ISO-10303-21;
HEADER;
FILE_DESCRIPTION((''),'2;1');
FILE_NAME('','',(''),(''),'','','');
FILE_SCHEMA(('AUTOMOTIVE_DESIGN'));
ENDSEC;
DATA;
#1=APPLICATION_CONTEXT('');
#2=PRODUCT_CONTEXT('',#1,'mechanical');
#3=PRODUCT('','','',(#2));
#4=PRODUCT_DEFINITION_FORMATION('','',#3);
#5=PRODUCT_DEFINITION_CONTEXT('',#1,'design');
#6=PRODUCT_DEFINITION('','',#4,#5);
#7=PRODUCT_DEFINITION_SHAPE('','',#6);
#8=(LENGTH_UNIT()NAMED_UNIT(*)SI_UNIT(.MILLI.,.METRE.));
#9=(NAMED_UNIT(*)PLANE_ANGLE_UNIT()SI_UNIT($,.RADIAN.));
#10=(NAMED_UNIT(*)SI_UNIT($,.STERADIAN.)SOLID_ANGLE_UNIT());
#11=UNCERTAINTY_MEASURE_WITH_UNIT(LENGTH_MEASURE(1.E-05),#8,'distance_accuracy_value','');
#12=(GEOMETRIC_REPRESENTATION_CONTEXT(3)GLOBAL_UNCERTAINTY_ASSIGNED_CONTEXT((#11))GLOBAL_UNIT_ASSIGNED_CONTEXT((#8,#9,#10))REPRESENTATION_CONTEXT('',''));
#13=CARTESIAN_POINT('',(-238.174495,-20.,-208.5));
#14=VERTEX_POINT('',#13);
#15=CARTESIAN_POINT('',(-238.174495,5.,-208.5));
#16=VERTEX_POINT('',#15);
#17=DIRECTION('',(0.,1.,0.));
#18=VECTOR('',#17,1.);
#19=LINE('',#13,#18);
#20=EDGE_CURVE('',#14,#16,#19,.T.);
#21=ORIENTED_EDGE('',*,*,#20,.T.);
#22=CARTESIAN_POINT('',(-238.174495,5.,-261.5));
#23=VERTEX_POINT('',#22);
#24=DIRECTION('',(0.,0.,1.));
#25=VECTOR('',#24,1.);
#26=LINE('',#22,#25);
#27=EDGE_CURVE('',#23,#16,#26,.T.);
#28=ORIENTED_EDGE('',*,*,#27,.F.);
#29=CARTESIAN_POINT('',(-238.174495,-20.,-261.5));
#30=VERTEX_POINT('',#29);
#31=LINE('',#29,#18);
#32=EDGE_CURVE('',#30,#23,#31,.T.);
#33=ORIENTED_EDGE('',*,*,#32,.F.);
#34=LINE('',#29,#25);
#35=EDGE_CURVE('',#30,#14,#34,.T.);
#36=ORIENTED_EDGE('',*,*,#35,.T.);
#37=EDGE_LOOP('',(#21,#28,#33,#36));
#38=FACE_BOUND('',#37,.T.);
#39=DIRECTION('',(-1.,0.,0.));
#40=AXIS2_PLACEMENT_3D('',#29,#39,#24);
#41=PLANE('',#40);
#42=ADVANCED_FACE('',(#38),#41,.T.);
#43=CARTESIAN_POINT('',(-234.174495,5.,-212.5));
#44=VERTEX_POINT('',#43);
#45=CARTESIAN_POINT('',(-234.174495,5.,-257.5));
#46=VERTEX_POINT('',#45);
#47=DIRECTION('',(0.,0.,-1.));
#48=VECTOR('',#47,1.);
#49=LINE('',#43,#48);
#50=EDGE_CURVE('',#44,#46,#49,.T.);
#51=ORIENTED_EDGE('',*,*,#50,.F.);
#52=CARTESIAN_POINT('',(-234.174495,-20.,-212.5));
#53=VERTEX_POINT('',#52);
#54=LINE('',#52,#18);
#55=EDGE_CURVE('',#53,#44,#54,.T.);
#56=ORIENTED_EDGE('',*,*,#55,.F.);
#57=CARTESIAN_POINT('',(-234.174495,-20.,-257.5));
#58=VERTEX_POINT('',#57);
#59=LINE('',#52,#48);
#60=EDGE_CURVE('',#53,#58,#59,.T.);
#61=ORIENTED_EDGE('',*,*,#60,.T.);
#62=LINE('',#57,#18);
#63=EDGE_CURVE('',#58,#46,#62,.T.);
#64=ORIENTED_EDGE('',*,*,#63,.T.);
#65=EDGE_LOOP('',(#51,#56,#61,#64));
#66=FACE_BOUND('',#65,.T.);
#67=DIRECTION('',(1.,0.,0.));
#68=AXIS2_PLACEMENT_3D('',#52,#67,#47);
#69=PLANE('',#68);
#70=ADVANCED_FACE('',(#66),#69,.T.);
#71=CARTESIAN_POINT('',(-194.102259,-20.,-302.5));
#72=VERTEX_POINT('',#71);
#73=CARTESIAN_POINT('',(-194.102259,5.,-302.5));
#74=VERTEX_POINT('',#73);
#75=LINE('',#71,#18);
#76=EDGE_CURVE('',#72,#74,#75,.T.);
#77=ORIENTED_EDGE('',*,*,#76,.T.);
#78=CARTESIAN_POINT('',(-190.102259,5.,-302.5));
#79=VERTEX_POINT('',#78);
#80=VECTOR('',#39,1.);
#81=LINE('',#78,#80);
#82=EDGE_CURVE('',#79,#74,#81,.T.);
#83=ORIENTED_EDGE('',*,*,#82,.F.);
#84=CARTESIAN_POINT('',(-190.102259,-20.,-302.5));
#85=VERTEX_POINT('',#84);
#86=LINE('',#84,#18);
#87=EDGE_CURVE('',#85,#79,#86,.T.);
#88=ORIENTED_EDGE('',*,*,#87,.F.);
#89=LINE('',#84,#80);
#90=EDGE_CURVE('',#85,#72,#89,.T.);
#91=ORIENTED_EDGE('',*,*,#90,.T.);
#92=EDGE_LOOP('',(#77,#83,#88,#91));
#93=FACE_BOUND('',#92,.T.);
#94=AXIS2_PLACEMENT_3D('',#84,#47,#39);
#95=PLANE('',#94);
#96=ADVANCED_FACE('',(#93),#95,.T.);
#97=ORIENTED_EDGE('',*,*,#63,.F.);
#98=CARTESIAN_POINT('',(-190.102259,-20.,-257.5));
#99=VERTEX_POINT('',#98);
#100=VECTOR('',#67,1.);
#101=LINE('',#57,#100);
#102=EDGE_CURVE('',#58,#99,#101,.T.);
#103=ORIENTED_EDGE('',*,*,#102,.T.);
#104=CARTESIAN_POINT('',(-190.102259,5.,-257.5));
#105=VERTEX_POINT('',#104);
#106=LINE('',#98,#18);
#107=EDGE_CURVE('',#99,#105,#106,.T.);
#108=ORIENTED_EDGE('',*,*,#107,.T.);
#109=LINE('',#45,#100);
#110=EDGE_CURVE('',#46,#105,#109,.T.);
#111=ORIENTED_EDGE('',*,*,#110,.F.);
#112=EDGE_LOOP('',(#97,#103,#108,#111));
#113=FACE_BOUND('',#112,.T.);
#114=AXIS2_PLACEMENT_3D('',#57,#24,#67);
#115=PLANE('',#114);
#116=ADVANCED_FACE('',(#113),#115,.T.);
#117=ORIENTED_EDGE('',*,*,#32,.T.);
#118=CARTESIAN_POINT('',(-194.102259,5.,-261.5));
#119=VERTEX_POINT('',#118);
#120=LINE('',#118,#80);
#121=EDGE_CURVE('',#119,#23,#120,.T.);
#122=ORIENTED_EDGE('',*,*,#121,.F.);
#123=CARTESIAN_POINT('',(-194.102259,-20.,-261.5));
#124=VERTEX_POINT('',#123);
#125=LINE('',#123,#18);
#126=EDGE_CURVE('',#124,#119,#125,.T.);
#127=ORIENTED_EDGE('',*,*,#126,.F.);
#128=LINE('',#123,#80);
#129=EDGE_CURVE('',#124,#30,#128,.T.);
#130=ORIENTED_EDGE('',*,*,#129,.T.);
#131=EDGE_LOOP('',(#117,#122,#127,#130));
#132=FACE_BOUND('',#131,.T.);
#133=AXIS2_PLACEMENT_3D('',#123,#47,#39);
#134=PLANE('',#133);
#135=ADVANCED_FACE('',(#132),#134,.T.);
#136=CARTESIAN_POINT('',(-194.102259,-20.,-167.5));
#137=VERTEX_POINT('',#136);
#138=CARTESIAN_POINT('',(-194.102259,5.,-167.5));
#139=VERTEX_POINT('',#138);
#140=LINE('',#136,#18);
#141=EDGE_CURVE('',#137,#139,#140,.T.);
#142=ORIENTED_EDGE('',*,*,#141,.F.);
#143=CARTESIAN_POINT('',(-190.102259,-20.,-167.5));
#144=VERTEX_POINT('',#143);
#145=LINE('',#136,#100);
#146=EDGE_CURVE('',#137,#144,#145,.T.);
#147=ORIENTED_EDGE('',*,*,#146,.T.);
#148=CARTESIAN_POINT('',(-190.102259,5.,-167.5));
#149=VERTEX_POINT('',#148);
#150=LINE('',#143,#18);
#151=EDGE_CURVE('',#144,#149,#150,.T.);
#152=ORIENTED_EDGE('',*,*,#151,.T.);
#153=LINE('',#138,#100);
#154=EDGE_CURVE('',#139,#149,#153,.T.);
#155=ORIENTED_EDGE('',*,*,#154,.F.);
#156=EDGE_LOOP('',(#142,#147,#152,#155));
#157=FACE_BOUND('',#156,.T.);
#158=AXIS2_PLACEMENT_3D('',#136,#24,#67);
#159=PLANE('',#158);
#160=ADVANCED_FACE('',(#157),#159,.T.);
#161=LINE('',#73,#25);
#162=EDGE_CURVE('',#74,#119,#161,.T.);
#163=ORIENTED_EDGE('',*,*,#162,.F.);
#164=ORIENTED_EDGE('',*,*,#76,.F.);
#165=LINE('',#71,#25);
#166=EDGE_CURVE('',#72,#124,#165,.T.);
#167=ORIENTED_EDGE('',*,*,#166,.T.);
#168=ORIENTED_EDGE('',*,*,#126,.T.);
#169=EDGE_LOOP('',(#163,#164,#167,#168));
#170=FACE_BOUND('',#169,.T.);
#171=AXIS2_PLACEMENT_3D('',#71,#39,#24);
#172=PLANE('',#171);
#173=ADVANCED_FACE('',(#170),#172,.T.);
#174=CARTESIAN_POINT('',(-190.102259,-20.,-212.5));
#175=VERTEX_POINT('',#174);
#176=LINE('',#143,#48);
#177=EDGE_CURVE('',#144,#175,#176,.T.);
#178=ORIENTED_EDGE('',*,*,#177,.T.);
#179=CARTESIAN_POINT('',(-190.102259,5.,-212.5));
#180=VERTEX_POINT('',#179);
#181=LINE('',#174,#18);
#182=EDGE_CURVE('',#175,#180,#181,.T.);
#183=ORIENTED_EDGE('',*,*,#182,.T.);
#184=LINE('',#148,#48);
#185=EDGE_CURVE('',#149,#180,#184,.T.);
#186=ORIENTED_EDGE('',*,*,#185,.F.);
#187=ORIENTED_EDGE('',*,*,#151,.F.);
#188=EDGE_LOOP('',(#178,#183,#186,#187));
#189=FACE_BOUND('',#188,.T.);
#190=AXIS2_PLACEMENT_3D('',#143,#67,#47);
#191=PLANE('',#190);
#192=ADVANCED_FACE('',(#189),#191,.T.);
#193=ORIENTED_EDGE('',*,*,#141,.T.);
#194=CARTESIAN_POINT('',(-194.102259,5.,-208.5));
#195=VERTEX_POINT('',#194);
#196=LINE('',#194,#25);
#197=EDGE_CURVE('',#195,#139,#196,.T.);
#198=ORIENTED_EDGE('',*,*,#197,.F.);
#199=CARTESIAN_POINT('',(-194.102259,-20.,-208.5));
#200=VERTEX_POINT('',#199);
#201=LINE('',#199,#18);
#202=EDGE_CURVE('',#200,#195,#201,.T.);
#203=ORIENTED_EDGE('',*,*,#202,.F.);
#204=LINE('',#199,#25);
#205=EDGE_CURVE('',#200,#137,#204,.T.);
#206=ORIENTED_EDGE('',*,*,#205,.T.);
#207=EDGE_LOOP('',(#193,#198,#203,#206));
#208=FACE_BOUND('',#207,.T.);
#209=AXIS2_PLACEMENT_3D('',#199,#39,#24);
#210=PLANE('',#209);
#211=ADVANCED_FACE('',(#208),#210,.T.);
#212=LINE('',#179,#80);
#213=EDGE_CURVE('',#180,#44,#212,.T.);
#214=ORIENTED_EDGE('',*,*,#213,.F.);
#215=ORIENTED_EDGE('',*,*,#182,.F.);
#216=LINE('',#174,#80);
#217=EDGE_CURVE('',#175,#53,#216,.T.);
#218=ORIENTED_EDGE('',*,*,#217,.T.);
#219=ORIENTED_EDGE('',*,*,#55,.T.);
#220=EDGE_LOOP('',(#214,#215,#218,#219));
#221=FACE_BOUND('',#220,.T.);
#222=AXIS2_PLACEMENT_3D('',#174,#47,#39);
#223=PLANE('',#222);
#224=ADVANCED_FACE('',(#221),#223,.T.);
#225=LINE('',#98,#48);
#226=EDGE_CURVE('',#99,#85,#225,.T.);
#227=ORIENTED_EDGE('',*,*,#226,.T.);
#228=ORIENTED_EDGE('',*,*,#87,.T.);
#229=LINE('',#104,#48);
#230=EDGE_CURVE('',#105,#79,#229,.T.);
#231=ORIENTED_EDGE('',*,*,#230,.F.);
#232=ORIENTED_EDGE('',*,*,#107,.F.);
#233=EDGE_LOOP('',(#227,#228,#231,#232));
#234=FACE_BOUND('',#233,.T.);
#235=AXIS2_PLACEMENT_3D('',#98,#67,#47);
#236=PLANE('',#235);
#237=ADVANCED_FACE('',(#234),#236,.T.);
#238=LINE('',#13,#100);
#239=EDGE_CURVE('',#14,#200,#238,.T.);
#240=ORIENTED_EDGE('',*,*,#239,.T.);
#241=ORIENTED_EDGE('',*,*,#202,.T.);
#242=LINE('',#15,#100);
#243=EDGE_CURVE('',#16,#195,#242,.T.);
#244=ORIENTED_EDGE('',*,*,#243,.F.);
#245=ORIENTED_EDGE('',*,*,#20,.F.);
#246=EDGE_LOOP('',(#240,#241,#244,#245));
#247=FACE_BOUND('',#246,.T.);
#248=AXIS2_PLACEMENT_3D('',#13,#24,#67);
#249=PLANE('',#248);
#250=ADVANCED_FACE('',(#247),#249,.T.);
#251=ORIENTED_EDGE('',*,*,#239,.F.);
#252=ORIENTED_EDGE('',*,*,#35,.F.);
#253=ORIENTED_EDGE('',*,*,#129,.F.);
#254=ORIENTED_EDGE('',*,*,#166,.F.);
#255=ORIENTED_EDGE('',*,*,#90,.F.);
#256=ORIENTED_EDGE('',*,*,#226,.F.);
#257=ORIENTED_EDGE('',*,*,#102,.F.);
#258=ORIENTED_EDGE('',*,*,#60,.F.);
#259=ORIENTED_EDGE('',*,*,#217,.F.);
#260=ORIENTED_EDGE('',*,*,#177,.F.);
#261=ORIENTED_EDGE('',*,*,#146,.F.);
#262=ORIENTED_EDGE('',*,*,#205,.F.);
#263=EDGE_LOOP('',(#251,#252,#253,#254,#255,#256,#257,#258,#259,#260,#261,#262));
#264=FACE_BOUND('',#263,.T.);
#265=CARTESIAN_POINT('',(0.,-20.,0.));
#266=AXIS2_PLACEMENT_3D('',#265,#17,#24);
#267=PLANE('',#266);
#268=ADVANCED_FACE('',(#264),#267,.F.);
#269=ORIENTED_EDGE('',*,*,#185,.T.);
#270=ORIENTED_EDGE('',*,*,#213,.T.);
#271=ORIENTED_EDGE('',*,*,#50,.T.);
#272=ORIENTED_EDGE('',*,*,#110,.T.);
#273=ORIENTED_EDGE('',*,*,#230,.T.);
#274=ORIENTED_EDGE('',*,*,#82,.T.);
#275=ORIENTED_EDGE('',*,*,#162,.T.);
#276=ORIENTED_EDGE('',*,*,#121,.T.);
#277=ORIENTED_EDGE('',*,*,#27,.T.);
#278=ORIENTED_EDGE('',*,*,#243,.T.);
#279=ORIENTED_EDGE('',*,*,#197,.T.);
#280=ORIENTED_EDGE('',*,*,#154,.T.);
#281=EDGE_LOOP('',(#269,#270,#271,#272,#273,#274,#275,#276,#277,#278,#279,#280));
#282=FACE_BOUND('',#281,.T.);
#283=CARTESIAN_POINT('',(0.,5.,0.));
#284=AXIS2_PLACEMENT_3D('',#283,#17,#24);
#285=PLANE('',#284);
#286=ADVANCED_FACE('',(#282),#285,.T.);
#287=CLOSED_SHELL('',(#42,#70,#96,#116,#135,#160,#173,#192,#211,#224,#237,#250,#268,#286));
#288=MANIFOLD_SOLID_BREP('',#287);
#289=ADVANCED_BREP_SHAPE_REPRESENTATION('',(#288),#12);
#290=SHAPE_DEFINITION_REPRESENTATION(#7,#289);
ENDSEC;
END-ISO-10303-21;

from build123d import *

# Parameters (mm, degrees)
BOSS_EXTRUDE1_DEPTH = 25


with BuildPart() as part:
    # Sketch1 → Boss-Extrude1 (new body)
    with BuildSketch(Plane(origin=(0, 5, 0), x_dir=(1, 0, 0), z_dir=(0, 1, 0))):
        Polygon((-194.102258895, 167.5), (-190.102258895, 167.5), (-190.102258895, 212.5), (-234.174494692, 212.5), (-234.174494692, 257.5), (-190.102258895, 257.5), (-190.102258895, 302.5), (-194.102258895, 302.5), (-194.102258895, 261.5), (-238.174494692, 261.5), (-238.174494692, 208.5), (-194.102258895, 208.5), align=None)
    extrude(amount=-BOSS_EXTRUDE1_DEPTH)


solid = part.part
